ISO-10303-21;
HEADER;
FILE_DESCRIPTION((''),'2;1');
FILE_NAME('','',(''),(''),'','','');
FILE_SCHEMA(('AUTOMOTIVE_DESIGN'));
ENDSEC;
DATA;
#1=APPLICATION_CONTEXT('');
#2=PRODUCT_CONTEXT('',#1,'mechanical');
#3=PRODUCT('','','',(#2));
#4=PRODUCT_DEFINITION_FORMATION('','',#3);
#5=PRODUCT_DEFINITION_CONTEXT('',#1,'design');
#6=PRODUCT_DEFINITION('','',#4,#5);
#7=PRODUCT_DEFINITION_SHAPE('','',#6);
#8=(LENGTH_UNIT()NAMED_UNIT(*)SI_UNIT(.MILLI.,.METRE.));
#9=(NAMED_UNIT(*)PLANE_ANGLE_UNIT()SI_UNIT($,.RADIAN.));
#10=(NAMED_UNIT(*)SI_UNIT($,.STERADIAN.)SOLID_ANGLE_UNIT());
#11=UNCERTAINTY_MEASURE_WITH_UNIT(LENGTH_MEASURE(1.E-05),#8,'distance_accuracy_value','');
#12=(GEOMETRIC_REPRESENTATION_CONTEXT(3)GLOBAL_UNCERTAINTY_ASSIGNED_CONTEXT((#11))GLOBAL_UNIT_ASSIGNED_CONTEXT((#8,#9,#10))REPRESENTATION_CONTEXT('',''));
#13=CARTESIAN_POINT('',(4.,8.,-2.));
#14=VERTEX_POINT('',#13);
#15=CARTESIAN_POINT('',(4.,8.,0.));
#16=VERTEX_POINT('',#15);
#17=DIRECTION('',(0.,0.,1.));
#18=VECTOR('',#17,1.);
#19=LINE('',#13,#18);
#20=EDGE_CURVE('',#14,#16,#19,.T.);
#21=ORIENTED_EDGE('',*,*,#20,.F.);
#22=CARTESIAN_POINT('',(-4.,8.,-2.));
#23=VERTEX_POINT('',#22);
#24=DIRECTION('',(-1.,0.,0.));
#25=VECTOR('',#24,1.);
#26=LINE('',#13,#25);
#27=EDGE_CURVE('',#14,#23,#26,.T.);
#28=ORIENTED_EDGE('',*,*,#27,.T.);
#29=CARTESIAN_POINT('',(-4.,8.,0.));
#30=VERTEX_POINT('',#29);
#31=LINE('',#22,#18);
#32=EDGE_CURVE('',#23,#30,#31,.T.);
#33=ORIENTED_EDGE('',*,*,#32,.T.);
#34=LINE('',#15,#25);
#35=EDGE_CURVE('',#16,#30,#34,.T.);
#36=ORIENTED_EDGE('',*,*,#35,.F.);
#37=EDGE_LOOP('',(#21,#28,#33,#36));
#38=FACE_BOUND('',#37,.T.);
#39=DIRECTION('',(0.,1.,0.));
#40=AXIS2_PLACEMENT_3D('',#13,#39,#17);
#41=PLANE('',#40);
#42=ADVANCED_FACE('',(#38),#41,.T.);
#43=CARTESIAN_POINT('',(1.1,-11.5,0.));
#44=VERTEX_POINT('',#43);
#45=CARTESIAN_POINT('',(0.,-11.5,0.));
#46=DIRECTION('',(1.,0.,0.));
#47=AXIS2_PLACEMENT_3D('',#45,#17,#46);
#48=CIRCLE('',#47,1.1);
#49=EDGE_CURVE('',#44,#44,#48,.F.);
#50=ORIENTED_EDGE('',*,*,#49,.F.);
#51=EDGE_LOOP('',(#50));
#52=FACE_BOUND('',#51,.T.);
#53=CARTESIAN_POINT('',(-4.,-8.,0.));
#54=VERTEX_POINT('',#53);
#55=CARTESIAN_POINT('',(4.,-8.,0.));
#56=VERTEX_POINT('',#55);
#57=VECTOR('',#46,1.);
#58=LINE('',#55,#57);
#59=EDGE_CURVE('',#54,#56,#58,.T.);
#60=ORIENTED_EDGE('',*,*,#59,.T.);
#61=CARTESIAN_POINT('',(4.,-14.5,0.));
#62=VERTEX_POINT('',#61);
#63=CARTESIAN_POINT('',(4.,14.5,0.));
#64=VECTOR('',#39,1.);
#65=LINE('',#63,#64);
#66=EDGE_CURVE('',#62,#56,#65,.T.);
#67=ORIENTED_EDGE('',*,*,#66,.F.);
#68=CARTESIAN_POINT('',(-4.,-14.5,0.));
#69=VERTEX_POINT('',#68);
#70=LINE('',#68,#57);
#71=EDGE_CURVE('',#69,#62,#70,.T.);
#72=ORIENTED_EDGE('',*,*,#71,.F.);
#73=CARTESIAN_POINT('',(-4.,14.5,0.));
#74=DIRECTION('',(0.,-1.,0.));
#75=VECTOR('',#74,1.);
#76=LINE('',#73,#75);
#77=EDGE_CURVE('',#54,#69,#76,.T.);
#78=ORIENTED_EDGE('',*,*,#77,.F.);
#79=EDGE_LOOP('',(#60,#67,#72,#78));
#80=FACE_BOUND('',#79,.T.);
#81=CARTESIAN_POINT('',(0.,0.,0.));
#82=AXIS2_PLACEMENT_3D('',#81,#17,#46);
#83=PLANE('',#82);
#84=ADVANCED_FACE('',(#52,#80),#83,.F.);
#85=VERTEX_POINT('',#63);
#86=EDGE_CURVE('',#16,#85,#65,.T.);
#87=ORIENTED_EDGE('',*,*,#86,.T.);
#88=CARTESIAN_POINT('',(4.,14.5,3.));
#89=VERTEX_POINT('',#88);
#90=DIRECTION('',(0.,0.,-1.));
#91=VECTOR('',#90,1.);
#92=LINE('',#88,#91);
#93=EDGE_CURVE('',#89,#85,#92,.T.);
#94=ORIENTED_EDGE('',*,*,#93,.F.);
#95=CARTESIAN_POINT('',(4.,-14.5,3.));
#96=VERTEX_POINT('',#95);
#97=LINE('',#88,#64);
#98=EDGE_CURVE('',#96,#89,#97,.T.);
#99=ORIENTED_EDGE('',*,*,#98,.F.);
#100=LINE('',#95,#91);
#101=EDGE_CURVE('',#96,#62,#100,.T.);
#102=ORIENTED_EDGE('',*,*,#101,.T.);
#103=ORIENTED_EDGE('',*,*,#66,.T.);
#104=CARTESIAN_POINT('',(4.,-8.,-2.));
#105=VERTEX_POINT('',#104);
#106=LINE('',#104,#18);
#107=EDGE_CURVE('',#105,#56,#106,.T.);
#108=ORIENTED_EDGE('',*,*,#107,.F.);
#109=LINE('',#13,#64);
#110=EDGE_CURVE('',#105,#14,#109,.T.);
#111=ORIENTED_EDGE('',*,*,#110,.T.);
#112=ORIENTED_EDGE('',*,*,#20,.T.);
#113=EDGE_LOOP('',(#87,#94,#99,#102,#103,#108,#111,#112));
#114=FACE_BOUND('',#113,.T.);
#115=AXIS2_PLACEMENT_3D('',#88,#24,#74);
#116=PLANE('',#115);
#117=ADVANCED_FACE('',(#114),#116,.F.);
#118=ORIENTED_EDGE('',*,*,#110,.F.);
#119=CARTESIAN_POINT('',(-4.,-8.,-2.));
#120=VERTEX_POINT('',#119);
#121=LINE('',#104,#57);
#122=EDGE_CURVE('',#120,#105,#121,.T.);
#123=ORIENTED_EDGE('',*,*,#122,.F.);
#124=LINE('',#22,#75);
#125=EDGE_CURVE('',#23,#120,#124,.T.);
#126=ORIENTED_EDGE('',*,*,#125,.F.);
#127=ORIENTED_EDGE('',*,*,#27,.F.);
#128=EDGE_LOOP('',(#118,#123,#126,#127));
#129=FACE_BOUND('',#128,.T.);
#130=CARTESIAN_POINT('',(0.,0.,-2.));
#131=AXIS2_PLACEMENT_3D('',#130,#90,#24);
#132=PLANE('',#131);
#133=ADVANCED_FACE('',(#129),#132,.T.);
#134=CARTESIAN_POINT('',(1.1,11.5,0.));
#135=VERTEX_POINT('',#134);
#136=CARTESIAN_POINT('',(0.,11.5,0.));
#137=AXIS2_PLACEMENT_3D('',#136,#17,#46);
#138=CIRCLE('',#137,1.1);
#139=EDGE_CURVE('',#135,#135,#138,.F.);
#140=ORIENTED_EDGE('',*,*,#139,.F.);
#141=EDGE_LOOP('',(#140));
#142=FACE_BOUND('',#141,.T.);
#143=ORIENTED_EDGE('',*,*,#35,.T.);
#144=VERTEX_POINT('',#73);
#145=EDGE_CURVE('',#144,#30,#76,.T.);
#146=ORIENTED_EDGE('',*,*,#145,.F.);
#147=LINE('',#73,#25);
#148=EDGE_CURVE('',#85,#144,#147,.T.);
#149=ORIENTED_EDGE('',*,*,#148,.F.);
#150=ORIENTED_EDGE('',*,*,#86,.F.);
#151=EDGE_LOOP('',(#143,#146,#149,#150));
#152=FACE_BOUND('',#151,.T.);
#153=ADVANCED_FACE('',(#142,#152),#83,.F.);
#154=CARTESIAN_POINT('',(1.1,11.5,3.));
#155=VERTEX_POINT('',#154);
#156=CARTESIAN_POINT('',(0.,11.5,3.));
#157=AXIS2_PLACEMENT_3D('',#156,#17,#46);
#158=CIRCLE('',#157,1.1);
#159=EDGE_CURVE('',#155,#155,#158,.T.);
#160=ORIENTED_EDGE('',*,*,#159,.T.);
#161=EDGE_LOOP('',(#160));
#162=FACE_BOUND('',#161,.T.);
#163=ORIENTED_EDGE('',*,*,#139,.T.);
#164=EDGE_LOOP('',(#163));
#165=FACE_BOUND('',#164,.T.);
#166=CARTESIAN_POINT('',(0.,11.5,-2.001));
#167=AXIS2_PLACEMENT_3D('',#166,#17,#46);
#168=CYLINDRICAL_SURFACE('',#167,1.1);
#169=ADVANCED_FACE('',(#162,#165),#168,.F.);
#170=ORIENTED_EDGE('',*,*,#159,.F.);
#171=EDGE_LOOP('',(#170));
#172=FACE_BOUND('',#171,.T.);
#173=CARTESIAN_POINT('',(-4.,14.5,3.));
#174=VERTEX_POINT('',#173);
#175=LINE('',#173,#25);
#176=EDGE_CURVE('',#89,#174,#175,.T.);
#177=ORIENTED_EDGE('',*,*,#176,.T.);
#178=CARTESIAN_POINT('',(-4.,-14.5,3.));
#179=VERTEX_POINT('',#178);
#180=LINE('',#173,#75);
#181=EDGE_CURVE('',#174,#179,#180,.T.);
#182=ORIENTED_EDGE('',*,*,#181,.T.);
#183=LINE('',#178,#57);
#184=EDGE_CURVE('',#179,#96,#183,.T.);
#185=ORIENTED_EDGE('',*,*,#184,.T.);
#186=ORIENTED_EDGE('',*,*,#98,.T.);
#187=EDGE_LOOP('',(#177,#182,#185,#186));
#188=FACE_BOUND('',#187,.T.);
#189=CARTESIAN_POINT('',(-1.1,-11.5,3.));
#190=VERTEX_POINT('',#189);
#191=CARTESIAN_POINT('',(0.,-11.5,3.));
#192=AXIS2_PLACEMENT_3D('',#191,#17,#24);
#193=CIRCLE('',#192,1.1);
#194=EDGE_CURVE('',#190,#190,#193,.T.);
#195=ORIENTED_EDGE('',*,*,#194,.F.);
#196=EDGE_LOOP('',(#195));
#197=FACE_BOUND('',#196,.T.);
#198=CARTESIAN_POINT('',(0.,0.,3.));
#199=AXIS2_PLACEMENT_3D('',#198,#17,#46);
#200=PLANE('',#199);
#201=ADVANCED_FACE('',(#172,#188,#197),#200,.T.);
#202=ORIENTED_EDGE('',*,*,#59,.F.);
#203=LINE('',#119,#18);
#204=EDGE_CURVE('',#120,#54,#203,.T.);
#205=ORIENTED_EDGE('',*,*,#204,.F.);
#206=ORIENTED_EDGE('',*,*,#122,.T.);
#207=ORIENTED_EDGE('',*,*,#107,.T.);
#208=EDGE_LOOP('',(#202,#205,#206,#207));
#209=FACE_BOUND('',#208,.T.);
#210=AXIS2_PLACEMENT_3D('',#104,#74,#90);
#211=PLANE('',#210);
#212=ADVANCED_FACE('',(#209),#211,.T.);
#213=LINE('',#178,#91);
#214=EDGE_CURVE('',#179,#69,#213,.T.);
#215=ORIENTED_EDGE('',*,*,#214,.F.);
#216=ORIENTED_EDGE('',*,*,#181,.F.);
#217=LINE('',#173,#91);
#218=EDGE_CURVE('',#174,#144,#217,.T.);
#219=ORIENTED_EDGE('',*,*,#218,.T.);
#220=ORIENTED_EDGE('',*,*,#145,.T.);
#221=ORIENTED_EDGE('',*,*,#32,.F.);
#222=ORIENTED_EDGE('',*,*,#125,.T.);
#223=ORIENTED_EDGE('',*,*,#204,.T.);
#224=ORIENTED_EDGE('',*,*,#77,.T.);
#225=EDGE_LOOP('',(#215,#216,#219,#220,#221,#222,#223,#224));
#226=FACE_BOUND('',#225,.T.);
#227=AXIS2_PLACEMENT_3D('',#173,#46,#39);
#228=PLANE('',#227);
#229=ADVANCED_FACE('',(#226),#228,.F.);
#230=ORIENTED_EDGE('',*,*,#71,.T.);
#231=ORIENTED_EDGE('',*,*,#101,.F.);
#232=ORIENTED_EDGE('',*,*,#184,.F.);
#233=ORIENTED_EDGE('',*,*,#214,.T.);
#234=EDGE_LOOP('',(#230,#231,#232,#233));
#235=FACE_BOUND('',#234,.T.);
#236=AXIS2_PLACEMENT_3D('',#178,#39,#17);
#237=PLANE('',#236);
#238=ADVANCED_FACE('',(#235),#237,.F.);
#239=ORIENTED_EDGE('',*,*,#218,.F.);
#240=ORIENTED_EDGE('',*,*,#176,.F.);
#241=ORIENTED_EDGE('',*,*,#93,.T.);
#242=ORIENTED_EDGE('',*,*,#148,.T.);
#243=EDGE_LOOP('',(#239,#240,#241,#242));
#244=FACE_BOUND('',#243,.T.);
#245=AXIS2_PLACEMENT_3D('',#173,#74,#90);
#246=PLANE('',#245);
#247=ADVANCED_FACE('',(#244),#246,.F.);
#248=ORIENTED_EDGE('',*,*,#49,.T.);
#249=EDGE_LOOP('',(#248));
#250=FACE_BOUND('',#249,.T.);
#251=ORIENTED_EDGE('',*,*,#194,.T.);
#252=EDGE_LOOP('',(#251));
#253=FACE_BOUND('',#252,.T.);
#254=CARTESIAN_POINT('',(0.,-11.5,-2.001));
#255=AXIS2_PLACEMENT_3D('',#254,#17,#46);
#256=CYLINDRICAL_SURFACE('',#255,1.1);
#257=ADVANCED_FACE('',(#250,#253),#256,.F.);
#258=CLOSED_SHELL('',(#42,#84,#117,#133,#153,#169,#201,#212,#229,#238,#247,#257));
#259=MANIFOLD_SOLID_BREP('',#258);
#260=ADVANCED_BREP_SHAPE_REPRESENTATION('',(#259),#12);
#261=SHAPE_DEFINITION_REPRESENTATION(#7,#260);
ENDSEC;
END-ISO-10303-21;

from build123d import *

# Parameters (mm, degrees)
SKETCH_1_W            = 8
SKETCH_1_H            = 29
EXTRUDE_241_DEPTH     = 3
SKETCH_2_W            = 8
SKETCH_2_H            = 16
EXTRUDE_361_DEPTH     = 2
CUT_EXTRUDE_555_REACH = 17.851
SKETCH_3_R            = 1.1


with BuildPart() as part:
    # 草图1 → Extrude 241 (new body)
    with BuildSketch(Plane.XY):
        Rectangle(SKETCH_1_W, SKETCH_1_H)
    extrude(amount=EXTRUDE_241_DEPTH)

    # 草图2 → Extrude 361 (add)
    with BuildSketch(Plane.XY):
        Rectangle(SKETCH_2_W, SKETCH_2_H)
    extrude(amount=-EXTRUDE_361_DEPTH)

    # 草图3 → Cut-Extrude 555 (cut, up to next)
    with BuildSketch(Plane.XY.offset(3), mode=Mode.PRIVATE) as cut_extrude_555_sk1:
        with Locations((0, 11.5)):
            Circle(SKETCH_3_R)
    cut_extrude_555_tool1 = extrude(cut_extrude_555_sk1.sketch, amount=-CUT_EXTRUDE_555_REACH, mode=Mode.PRIVATE) & part.part
    # 草图3 → Cut-Extrude 555 (cut, up to next)
    with BuildSketch(Plane.XY.offset(3), mode=Mode.PRIVATE) as cut_extrude_555_sk2:
        with Locations((0, -11.5)):
            Circle(SKETCH_3_R)
    cut_extrude_555_tool2 = extrude(cut_extrude_555_sk2.sketch, amount=-CUT_EXTRUDE_555_REACH, mode=Mode.PRIVATE) & part.part
    add(cut_extrude_555_tool1.solids().sort_by_distance((0, 11.5, 3))[0], mode=Mode.SUBTRACT)
    add(cut_extrude_555_tool2.solids().sort_by_distance((0, -11.5, 3))[0], mode=Mode.SUBTRACT)


solid = part.part
